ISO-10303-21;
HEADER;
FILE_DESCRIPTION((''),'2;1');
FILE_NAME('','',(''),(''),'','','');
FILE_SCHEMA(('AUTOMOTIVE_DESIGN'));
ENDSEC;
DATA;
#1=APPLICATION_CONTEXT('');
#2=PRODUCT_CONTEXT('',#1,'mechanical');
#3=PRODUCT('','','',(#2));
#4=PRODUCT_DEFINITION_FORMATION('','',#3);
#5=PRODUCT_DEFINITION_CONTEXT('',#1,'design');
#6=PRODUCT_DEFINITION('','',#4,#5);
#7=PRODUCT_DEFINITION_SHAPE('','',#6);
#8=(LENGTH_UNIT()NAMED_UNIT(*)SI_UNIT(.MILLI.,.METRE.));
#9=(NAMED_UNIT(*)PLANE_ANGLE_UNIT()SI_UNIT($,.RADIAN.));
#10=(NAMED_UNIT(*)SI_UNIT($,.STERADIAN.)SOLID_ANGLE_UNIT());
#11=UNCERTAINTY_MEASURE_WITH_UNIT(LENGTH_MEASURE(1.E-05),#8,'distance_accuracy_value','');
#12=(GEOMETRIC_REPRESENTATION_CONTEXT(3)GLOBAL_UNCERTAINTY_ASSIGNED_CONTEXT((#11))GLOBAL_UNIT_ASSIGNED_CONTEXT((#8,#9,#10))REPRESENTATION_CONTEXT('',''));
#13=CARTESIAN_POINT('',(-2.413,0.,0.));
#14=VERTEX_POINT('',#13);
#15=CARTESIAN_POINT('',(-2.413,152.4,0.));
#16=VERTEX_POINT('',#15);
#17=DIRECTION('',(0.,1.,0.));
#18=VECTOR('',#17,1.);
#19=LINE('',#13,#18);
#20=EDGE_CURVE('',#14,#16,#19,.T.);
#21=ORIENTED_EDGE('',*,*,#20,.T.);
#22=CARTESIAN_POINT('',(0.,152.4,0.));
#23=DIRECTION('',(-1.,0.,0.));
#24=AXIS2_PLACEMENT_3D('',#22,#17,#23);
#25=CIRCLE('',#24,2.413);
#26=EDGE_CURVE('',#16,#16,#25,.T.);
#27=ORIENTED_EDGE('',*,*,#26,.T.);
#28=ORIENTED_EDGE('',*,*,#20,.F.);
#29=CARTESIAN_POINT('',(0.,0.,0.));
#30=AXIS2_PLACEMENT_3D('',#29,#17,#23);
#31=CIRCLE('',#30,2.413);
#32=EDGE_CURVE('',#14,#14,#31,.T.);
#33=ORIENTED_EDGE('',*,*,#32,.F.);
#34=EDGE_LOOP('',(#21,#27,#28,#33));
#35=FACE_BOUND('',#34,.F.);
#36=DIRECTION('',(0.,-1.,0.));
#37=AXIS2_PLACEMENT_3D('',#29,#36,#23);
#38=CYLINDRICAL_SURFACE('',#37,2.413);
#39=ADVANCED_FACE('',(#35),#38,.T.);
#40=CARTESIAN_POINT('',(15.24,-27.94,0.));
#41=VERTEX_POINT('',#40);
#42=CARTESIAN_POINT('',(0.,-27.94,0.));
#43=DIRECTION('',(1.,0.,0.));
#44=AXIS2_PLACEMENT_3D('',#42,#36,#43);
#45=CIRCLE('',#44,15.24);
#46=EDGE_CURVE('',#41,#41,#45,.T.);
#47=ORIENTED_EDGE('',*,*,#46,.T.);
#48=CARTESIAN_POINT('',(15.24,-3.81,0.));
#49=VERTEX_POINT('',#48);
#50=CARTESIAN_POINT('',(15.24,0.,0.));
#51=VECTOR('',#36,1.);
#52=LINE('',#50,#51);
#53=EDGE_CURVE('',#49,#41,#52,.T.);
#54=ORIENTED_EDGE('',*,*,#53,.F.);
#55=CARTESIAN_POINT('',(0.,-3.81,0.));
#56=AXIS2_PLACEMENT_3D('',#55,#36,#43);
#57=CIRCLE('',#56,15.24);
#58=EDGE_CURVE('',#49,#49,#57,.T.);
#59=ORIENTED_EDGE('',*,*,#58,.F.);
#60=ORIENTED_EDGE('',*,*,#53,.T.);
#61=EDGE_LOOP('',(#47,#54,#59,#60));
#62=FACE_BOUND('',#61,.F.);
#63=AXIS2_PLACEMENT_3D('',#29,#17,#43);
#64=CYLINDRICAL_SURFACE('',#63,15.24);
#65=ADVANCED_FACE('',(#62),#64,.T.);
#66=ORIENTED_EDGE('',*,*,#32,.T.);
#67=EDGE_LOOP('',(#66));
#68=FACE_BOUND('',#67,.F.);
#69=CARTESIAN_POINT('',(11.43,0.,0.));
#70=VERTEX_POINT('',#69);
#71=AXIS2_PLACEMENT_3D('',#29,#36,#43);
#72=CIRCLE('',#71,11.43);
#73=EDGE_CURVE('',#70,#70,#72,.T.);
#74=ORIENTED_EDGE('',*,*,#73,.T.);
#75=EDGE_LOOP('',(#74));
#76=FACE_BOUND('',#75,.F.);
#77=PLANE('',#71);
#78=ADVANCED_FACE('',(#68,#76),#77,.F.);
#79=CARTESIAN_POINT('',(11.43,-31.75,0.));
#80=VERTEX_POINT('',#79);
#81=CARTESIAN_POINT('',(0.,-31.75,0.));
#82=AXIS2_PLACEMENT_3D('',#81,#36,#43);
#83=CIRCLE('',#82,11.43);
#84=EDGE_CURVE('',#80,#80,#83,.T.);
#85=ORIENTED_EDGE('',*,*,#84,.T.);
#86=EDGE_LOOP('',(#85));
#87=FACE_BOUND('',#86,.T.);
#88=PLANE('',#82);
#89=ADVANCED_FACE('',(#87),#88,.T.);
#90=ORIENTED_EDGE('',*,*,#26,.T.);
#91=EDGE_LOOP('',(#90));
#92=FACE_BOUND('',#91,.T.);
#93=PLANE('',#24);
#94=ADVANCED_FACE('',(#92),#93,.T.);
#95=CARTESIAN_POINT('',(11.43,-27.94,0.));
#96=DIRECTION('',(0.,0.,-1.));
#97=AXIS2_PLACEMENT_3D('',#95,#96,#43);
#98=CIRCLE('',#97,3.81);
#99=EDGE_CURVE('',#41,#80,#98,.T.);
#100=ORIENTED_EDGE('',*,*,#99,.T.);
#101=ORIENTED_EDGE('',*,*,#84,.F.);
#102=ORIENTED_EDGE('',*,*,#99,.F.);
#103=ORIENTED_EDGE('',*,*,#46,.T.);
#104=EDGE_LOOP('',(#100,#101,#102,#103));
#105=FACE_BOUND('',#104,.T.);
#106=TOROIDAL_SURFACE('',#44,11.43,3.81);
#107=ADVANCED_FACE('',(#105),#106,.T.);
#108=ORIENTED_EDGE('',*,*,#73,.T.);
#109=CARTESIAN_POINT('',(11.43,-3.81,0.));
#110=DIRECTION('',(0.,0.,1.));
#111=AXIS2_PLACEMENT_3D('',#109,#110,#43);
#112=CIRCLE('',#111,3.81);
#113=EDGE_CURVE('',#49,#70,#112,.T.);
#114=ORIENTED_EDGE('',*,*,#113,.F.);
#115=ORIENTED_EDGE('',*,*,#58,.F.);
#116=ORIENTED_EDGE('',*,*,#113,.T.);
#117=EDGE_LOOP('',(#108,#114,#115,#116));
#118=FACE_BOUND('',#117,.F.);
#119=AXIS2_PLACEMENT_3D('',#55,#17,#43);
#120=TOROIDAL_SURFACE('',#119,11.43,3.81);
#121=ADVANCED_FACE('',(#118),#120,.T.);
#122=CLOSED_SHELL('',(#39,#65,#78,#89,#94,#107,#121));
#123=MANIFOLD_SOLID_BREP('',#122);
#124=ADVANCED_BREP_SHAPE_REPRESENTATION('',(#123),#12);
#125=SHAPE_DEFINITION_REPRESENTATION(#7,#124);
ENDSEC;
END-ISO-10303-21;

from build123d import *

# Parameters (mm, degrees)
F0_R     = 15.24
F1_DEPTH = 31.75
F2_R     = 3.81
F3_R     = 2.413
F4_DEPTH = 152.4


with BuildPart() as f1:
    # F0 (on Front) → F1 (new body)
    with BuildSketch(Plane.XZ):
        Circle(F0_R)
    extrude(amount=F1_DEPTH)

    # F2
    f2_edges = [f1.edges().sort_by_distance(p)[0] for p in [
        (-15.24, -31.75, 0),
        (-15.24, 0, 0),
    ]]
    fillet(f2_edges, radius=F2_R)

    # F3 (on face) → F4 (join)
    with BuildSketch(Plane(origin=(0, 0, 0), x_dir=(-1, 0, 0), z_dir=(0, 1, 0))):
        Circle(F3_R)
    extrude(amount=F4_DEPTH)


solid = f1.part
